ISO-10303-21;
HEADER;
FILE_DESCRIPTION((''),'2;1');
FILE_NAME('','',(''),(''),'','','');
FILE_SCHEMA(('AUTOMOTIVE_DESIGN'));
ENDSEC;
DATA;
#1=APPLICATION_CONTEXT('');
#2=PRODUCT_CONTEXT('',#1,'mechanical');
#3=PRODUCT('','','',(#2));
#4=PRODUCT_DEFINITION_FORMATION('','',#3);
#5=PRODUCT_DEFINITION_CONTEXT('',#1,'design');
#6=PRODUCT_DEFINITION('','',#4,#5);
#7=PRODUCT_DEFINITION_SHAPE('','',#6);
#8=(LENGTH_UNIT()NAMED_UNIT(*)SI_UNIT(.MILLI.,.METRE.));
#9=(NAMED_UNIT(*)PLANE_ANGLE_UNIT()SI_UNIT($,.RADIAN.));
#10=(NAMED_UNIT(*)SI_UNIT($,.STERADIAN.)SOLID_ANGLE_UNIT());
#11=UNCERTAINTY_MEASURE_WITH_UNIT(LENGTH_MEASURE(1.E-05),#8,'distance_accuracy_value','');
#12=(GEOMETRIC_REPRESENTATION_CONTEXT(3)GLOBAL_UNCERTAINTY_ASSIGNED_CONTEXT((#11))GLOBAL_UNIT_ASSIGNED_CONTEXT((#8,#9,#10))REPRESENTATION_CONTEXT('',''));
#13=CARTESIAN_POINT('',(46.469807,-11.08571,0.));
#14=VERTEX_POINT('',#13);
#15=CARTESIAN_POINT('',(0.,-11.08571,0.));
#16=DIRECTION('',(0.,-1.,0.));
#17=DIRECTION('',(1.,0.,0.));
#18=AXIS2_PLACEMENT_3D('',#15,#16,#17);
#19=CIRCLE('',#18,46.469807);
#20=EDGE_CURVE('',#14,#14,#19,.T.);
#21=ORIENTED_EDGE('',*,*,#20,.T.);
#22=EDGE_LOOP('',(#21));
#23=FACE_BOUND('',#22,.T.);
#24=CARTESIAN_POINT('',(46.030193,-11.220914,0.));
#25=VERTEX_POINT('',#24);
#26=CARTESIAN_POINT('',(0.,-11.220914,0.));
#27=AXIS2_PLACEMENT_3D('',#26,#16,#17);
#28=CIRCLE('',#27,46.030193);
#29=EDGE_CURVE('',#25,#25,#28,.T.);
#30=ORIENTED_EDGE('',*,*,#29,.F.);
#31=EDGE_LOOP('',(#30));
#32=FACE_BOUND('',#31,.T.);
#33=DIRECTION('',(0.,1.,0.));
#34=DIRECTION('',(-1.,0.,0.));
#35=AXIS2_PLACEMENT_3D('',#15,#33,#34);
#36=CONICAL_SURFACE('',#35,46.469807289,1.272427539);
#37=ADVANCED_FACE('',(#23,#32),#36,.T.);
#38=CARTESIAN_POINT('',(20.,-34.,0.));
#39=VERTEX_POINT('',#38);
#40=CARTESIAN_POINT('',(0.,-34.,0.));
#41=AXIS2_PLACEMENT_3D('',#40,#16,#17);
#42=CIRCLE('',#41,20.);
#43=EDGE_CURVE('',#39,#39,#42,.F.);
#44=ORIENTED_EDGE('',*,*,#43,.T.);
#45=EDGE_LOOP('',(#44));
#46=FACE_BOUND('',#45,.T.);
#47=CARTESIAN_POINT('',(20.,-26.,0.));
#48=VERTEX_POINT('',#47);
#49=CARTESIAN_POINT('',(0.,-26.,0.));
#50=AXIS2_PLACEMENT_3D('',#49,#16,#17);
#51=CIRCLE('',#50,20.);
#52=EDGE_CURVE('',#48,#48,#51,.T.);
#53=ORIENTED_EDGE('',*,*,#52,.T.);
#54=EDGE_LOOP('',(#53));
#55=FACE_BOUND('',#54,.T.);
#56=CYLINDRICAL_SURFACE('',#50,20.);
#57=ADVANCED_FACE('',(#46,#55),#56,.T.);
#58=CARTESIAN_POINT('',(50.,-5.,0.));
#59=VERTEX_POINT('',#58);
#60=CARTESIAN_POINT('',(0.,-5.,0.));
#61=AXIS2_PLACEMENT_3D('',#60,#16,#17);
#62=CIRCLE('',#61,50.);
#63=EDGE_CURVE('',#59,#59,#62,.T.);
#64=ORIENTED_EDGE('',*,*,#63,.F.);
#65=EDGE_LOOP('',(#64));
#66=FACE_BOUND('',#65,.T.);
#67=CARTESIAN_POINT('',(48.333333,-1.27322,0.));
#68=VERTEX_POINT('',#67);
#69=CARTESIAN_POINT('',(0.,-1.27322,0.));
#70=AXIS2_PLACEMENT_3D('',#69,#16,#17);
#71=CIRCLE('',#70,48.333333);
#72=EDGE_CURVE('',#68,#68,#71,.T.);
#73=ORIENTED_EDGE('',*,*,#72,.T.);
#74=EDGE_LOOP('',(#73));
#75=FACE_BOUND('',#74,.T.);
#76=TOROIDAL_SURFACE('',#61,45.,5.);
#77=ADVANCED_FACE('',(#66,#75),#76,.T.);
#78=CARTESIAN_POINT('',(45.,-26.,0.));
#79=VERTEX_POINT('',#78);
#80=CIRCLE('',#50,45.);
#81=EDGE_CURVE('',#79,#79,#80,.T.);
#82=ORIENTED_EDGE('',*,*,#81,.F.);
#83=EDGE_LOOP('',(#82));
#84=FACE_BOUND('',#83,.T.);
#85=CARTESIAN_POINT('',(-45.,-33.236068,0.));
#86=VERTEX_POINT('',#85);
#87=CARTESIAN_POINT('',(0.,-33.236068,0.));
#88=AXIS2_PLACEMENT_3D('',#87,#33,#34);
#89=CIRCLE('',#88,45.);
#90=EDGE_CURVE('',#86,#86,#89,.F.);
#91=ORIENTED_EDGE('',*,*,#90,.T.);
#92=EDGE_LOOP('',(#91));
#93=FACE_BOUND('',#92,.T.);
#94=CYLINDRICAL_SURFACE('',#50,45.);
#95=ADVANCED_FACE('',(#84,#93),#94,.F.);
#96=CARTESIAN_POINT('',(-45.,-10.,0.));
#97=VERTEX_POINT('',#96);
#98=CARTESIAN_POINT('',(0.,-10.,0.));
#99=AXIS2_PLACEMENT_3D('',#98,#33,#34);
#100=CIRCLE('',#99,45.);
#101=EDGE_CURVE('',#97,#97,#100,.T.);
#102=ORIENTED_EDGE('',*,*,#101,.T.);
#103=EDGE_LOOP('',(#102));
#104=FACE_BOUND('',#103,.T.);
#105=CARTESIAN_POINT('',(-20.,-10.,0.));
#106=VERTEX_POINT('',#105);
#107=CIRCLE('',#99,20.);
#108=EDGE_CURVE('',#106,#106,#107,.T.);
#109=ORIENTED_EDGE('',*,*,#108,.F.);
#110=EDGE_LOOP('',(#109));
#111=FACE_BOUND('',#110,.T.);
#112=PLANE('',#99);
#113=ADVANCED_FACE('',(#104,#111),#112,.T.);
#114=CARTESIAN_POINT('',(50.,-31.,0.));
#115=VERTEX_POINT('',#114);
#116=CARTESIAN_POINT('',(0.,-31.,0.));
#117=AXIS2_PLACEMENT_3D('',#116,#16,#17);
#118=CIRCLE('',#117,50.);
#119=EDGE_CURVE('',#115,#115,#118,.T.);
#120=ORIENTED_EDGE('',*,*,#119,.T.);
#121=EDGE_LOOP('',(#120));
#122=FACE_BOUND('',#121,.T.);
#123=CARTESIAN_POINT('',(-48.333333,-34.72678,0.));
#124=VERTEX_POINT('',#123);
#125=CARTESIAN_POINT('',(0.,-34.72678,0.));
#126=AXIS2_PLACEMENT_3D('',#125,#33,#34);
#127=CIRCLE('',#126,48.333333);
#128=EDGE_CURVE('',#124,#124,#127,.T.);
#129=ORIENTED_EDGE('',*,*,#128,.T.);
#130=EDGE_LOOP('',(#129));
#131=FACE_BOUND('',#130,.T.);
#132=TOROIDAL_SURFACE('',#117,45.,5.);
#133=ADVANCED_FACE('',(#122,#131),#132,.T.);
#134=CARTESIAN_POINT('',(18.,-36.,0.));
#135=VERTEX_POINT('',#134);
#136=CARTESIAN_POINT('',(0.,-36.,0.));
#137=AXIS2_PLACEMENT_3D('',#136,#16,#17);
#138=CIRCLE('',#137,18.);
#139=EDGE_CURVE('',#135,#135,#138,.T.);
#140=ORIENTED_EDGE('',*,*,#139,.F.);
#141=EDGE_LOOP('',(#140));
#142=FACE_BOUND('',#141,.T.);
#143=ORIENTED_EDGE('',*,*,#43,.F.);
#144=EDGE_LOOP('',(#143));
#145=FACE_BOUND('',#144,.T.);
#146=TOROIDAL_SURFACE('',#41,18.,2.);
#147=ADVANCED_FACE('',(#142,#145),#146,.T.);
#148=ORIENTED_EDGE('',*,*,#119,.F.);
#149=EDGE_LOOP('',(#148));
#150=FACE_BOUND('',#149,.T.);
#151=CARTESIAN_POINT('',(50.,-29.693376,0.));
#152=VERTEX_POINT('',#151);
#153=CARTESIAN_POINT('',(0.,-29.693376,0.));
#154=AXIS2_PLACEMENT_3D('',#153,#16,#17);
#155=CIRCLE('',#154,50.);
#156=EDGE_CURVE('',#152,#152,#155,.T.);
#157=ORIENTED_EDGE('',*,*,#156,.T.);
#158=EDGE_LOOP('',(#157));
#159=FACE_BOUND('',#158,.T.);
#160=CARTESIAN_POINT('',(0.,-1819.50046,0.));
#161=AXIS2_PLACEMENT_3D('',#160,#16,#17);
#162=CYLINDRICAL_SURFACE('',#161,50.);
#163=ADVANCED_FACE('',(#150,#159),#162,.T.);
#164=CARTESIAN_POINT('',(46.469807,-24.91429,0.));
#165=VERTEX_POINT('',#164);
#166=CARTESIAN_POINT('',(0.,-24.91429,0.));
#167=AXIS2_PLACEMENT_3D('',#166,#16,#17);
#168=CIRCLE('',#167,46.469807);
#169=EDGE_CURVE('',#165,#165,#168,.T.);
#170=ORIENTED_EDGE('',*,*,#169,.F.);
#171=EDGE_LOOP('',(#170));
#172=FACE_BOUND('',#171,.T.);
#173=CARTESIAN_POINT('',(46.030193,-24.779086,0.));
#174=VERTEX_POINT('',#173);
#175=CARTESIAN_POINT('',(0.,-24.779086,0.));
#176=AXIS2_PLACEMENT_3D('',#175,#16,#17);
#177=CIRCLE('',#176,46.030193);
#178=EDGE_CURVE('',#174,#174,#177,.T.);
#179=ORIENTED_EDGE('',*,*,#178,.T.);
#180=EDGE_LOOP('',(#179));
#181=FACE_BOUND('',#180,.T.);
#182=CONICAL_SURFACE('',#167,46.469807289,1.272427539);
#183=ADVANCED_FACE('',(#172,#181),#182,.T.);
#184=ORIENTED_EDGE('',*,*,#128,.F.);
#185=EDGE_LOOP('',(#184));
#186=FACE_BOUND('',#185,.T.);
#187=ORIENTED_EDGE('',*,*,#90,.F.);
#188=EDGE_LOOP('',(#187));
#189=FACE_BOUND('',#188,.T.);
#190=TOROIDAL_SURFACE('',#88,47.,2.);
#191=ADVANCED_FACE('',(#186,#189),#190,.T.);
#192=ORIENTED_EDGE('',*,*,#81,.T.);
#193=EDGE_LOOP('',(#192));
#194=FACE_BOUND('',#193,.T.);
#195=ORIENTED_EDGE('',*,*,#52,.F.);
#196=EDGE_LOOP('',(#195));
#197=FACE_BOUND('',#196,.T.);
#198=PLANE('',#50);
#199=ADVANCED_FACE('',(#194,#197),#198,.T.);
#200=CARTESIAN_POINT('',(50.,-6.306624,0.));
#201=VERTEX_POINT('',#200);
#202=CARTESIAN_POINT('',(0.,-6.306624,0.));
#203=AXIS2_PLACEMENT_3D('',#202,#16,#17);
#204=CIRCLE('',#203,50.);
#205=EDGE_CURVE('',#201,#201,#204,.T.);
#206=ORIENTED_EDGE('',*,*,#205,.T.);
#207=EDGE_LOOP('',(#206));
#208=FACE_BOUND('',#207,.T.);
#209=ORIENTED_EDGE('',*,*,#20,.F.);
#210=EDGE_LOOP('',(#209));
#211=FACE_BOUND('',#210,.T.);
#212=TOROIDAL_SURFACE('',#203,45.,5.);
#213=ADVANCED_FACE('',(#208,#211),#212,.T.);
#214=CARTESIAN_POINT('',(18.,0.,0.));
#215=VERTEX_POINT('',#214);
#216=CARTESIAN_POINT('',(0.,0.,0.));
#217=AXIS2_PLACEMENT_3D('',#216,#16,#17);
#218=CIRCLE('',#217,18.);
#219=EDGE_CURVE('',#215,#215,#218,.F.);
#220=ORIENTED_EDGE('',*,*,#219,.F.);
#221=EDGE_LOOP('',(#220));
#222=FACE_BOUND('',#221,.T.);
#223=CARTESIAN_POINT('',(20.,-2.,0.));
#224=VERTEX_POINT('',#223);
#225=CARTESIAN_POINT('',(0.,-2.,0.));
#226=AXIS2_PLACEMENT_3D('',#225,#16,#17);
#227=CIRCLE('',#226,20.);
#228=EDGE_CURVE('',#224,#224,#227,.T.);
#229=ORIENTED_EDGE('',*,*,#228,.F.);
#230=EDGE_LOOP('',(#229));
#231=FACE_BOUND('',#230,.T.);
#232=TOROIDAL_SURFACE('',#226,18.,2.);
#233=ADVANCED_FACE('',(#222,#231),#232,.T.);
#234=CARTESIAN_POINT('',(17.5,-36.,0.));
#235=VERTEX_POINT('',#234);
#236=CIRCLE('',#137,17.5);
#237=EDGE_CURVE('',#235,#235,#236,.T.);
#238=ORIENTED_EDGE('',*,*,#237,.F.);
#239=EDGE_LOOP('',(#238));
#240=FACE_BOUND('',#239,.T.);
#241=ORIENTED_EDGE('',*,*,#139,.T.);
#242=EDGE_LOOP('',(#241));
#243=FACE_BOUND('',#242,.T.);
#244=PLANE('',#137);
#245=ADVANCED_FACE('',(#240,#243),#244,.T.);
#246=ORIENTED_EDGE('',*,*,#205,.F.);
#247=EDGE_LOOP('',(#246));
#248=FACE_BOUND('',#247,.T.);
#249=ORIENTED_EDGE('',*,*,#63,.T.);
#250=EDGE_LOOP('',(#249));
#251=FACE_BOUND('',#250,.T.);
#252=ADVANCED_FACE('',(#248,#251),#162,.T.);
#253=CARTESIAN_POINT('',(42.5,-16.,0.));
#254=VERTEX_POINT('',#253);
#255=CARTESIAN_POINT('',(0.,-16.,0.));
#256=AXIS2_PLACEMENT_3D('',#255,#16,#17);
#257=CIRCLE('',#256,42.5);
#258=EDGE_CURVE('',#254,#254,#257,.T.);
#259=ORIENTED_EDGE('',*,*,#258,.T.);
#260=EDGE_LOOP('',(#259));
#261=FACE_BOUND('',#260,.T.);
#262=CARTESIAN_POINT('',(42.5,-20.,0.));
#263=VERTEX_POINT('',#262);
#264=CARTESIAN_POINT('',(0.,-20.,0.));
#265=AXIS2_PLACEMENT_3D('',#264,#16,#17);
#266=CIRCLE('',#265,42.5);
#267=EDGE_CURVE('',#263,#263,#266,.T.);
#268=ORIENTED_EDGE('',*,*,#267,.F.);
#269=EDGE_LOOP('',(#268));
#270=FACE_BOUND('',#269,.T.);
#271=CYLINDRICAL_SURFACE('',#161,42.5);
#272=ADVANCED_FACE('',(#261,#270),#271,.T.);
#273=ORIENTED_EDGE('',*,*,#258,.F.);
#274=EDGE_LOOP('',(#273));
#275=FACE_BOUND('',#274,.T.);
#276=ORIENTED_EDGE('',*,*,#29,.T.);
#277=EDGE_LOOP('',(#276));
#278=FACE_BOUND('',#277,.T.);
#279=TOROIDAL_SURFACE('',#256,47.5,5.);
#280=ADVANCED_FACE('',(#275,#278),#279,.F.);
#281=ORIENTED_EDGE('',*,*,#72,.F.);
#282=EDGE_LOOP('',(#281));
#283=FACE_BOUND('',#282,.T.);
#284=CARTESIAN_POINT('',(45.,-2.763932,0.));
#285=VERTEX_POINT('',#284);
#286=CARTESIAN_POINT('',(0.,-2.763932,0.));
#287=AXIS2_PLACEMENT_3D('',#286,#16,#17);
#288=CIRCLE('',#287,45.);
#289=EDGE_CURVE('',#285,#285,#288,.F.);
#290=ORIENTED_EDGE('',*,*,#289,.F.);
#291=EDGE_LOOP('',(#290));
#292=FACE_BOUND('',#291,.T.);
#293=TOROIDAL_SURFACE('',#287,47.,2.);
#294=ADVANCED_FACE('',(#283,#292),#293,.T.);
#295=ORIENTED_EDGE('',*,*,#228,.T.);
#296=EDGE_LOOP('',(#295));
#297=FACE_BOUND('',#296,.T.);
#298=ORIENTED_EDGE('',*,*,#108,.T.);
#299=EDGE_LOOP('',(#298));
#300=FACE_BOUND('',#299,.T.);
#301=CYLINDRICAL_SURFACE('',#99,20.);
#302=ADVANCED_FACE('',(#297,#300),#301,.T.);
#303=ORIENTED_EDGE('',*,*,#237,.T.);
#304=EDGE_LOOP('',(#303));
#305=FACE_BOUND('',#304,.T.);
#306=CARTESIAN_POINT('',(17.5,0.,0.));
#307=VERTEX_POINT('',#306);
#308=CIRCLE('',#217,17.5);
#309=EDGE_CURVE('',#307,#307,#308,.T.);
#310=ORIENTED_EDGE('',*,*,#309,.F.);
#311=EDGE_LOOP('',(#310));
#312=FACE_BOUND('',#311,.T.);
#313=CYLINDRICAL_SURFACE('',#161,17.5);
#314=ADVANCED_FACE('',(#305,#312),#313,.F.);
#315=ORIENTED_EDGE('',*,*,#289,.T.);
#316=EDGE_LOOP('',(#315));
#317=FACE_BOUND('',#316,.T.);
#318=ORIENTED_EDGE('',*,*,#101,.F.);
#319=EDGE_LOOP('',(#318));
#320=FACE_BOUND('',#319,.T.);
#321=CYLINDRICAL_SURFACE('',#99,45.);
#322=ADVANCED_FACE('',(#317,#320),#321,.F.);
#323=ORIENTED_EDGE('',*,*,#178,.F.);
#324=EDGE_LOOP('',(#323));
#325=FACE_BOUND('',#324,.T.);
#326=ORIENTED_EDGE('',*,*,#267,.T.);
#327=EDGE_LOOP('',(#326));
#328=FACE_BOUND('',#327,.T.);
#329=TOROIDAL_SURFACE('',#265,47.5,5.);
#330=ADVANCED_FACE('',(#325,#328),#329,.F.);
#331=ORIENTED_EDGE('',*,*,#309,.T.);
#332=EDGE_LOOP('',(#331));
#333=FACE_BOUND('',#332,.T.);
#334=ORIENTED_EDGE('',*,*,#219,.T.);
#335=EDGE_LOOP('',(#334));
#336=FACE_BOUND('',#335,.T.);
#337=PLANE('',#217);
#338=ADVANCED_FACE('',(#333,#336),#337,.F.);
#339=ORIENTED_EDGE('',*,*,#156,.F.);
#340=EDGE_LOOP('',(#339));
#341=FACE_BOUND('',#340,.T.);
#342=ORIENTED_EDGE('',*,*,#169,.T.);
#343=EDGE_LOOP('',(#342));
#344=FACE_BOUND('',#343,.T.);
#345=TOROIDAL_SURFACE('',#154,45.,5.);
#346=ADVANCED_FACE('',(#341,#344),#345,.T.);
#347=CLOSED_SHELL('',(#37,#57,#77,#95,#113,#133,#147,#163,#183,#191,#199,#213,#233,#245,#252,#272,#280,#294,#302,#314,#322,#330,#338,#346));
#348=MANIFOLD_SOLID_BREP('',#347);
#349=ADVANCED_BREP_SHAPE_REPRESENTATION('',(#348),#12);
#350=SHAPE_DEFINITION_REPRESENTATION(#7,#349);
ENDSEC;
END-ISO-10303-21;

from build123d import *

# Parameters (mm, degrees)
SKETCH2_R          = 45
SKETCH2_R_2        = 20
CUT_EXTRUDE1_DEPTH = 10
FILLET2_R          = 2
FILLET3_R          = 2
CUT_EXTRUDE4_START = -10
SKETCH3_R          = 45
SKETCH3_R_2        = 20
CUT_EXTRUDE4_DEPTH = 10
FILLET4_R          = 2
FILLET5_R          = 2


with BuildPart() as part:
    # Sketch1 → Revolve1 (revolve)
    with BuildSketch(Plane.XY):
        with BuildLine():
            ThreePointArc((50, -31), (48.535533906, -34.535533906), (45, -36))
            Line((45, -36), (17.5, -36))
            Line((17.5, -36), (17.5, 0))
            Line((17.5, 0), (45, 0))
            ThreePointArc((45, 0), (48.535533906, -1.464466094), (50, -5))
            Line((50, -5), (50, -6.306623863))
            ThreePointArc((50, -6.306623863), (49.021755614, -9.277395106), (46.469807289, -11.085710233))
            Line((46.469807289, -11.085710233), (46.030192711, -11.22091363))
            ThreePointArc((46.030192711, -11.22091363), (43.478244386, -13.029228757), (42.5, -16))
            Line((42.5, -16), (42.5, -20))
            ThreePointArc((42.5, -20), (43.478244386, -22.970771243), (46.030192711, -24.77908637))
            Line((46.030192711, -24.77908637), (46.469807289, -24.914289767))
            ThreePointArc((46.469807289, -24.914289767), (49.021755614, -26.722604894), (50, -29.693376137))
            Line((50, -29.693376137), (50, -31))
        make_face()
    revolve(axis=Axis((0, -1819.500460407, 0), (0, 1, 0)))

    # Sketch2 → Cut-Extrude1 (cut)
    with BuildSketch(Plane(origin=(0, 0, 0), x_dir=(1, 0, 0), z_dir=(0, 1, 0))):
        with Locations(Location((0, 0, 0), (0, 0, 180))):
            Circle(SKETCH2_R)
        with Locations(Location((0, 0, 0), (0, 0, 180))):
            Circle(SKETCH2_R_2, mode=Mode.SUBTRACT)
    extrude(amount=-CUT_EXTRUDE1_DEPTH, mode=Mode.SUBTRACT)

    # Fillet2
    fillet2_edges = [part.edges().sort_by_distance(p)[0] for p in [
        (0, 0, 45),
    ]]
    fillet(fillet2_edges, radius=FILLET2_R)

    # Fillet3
    fillet3_edges = [part.edges().sort_by_distance(p)[0] for p in [
        (20, 0, 0),
    ]]
    fillet(fillet3_edges, radius=FILLET3_R)

    # Sketch3 → Cut-Extrude4 (cut)
    with BuildSketch(Plane.XZ.offset(36).offset(CUT_EXTRUDE4_START)):
        with Locations(Location((0, 0, 0), (0, 0, 180))):
            Circle(SKETCH3_R)
        with Locations(Location((0, 0, 0), (0, 0, 180))):
            Circle(SKETCH3_R_2, mode=Mode.SUBTRACT)
    extrude(amount=CUT_EXTRUDE4_DEPTH, mode=Mode.SUBTRACT)

    # Fillet4
    fillet4_edges = [part.edges().sort_by_distance(p)[0] for p in [
        (20, -36, 0),
    ]]
    fillet(fillet4_edges, radius=FILLET4_R)

    # Fillet5
    fillet5_edges = [part.edges().sort_by_distance(p)[0] for p in [
        (0, -36, 45),
    ]]
    fillet(fillet5_edges, radius=FILLET5_R)


solid = part.part
